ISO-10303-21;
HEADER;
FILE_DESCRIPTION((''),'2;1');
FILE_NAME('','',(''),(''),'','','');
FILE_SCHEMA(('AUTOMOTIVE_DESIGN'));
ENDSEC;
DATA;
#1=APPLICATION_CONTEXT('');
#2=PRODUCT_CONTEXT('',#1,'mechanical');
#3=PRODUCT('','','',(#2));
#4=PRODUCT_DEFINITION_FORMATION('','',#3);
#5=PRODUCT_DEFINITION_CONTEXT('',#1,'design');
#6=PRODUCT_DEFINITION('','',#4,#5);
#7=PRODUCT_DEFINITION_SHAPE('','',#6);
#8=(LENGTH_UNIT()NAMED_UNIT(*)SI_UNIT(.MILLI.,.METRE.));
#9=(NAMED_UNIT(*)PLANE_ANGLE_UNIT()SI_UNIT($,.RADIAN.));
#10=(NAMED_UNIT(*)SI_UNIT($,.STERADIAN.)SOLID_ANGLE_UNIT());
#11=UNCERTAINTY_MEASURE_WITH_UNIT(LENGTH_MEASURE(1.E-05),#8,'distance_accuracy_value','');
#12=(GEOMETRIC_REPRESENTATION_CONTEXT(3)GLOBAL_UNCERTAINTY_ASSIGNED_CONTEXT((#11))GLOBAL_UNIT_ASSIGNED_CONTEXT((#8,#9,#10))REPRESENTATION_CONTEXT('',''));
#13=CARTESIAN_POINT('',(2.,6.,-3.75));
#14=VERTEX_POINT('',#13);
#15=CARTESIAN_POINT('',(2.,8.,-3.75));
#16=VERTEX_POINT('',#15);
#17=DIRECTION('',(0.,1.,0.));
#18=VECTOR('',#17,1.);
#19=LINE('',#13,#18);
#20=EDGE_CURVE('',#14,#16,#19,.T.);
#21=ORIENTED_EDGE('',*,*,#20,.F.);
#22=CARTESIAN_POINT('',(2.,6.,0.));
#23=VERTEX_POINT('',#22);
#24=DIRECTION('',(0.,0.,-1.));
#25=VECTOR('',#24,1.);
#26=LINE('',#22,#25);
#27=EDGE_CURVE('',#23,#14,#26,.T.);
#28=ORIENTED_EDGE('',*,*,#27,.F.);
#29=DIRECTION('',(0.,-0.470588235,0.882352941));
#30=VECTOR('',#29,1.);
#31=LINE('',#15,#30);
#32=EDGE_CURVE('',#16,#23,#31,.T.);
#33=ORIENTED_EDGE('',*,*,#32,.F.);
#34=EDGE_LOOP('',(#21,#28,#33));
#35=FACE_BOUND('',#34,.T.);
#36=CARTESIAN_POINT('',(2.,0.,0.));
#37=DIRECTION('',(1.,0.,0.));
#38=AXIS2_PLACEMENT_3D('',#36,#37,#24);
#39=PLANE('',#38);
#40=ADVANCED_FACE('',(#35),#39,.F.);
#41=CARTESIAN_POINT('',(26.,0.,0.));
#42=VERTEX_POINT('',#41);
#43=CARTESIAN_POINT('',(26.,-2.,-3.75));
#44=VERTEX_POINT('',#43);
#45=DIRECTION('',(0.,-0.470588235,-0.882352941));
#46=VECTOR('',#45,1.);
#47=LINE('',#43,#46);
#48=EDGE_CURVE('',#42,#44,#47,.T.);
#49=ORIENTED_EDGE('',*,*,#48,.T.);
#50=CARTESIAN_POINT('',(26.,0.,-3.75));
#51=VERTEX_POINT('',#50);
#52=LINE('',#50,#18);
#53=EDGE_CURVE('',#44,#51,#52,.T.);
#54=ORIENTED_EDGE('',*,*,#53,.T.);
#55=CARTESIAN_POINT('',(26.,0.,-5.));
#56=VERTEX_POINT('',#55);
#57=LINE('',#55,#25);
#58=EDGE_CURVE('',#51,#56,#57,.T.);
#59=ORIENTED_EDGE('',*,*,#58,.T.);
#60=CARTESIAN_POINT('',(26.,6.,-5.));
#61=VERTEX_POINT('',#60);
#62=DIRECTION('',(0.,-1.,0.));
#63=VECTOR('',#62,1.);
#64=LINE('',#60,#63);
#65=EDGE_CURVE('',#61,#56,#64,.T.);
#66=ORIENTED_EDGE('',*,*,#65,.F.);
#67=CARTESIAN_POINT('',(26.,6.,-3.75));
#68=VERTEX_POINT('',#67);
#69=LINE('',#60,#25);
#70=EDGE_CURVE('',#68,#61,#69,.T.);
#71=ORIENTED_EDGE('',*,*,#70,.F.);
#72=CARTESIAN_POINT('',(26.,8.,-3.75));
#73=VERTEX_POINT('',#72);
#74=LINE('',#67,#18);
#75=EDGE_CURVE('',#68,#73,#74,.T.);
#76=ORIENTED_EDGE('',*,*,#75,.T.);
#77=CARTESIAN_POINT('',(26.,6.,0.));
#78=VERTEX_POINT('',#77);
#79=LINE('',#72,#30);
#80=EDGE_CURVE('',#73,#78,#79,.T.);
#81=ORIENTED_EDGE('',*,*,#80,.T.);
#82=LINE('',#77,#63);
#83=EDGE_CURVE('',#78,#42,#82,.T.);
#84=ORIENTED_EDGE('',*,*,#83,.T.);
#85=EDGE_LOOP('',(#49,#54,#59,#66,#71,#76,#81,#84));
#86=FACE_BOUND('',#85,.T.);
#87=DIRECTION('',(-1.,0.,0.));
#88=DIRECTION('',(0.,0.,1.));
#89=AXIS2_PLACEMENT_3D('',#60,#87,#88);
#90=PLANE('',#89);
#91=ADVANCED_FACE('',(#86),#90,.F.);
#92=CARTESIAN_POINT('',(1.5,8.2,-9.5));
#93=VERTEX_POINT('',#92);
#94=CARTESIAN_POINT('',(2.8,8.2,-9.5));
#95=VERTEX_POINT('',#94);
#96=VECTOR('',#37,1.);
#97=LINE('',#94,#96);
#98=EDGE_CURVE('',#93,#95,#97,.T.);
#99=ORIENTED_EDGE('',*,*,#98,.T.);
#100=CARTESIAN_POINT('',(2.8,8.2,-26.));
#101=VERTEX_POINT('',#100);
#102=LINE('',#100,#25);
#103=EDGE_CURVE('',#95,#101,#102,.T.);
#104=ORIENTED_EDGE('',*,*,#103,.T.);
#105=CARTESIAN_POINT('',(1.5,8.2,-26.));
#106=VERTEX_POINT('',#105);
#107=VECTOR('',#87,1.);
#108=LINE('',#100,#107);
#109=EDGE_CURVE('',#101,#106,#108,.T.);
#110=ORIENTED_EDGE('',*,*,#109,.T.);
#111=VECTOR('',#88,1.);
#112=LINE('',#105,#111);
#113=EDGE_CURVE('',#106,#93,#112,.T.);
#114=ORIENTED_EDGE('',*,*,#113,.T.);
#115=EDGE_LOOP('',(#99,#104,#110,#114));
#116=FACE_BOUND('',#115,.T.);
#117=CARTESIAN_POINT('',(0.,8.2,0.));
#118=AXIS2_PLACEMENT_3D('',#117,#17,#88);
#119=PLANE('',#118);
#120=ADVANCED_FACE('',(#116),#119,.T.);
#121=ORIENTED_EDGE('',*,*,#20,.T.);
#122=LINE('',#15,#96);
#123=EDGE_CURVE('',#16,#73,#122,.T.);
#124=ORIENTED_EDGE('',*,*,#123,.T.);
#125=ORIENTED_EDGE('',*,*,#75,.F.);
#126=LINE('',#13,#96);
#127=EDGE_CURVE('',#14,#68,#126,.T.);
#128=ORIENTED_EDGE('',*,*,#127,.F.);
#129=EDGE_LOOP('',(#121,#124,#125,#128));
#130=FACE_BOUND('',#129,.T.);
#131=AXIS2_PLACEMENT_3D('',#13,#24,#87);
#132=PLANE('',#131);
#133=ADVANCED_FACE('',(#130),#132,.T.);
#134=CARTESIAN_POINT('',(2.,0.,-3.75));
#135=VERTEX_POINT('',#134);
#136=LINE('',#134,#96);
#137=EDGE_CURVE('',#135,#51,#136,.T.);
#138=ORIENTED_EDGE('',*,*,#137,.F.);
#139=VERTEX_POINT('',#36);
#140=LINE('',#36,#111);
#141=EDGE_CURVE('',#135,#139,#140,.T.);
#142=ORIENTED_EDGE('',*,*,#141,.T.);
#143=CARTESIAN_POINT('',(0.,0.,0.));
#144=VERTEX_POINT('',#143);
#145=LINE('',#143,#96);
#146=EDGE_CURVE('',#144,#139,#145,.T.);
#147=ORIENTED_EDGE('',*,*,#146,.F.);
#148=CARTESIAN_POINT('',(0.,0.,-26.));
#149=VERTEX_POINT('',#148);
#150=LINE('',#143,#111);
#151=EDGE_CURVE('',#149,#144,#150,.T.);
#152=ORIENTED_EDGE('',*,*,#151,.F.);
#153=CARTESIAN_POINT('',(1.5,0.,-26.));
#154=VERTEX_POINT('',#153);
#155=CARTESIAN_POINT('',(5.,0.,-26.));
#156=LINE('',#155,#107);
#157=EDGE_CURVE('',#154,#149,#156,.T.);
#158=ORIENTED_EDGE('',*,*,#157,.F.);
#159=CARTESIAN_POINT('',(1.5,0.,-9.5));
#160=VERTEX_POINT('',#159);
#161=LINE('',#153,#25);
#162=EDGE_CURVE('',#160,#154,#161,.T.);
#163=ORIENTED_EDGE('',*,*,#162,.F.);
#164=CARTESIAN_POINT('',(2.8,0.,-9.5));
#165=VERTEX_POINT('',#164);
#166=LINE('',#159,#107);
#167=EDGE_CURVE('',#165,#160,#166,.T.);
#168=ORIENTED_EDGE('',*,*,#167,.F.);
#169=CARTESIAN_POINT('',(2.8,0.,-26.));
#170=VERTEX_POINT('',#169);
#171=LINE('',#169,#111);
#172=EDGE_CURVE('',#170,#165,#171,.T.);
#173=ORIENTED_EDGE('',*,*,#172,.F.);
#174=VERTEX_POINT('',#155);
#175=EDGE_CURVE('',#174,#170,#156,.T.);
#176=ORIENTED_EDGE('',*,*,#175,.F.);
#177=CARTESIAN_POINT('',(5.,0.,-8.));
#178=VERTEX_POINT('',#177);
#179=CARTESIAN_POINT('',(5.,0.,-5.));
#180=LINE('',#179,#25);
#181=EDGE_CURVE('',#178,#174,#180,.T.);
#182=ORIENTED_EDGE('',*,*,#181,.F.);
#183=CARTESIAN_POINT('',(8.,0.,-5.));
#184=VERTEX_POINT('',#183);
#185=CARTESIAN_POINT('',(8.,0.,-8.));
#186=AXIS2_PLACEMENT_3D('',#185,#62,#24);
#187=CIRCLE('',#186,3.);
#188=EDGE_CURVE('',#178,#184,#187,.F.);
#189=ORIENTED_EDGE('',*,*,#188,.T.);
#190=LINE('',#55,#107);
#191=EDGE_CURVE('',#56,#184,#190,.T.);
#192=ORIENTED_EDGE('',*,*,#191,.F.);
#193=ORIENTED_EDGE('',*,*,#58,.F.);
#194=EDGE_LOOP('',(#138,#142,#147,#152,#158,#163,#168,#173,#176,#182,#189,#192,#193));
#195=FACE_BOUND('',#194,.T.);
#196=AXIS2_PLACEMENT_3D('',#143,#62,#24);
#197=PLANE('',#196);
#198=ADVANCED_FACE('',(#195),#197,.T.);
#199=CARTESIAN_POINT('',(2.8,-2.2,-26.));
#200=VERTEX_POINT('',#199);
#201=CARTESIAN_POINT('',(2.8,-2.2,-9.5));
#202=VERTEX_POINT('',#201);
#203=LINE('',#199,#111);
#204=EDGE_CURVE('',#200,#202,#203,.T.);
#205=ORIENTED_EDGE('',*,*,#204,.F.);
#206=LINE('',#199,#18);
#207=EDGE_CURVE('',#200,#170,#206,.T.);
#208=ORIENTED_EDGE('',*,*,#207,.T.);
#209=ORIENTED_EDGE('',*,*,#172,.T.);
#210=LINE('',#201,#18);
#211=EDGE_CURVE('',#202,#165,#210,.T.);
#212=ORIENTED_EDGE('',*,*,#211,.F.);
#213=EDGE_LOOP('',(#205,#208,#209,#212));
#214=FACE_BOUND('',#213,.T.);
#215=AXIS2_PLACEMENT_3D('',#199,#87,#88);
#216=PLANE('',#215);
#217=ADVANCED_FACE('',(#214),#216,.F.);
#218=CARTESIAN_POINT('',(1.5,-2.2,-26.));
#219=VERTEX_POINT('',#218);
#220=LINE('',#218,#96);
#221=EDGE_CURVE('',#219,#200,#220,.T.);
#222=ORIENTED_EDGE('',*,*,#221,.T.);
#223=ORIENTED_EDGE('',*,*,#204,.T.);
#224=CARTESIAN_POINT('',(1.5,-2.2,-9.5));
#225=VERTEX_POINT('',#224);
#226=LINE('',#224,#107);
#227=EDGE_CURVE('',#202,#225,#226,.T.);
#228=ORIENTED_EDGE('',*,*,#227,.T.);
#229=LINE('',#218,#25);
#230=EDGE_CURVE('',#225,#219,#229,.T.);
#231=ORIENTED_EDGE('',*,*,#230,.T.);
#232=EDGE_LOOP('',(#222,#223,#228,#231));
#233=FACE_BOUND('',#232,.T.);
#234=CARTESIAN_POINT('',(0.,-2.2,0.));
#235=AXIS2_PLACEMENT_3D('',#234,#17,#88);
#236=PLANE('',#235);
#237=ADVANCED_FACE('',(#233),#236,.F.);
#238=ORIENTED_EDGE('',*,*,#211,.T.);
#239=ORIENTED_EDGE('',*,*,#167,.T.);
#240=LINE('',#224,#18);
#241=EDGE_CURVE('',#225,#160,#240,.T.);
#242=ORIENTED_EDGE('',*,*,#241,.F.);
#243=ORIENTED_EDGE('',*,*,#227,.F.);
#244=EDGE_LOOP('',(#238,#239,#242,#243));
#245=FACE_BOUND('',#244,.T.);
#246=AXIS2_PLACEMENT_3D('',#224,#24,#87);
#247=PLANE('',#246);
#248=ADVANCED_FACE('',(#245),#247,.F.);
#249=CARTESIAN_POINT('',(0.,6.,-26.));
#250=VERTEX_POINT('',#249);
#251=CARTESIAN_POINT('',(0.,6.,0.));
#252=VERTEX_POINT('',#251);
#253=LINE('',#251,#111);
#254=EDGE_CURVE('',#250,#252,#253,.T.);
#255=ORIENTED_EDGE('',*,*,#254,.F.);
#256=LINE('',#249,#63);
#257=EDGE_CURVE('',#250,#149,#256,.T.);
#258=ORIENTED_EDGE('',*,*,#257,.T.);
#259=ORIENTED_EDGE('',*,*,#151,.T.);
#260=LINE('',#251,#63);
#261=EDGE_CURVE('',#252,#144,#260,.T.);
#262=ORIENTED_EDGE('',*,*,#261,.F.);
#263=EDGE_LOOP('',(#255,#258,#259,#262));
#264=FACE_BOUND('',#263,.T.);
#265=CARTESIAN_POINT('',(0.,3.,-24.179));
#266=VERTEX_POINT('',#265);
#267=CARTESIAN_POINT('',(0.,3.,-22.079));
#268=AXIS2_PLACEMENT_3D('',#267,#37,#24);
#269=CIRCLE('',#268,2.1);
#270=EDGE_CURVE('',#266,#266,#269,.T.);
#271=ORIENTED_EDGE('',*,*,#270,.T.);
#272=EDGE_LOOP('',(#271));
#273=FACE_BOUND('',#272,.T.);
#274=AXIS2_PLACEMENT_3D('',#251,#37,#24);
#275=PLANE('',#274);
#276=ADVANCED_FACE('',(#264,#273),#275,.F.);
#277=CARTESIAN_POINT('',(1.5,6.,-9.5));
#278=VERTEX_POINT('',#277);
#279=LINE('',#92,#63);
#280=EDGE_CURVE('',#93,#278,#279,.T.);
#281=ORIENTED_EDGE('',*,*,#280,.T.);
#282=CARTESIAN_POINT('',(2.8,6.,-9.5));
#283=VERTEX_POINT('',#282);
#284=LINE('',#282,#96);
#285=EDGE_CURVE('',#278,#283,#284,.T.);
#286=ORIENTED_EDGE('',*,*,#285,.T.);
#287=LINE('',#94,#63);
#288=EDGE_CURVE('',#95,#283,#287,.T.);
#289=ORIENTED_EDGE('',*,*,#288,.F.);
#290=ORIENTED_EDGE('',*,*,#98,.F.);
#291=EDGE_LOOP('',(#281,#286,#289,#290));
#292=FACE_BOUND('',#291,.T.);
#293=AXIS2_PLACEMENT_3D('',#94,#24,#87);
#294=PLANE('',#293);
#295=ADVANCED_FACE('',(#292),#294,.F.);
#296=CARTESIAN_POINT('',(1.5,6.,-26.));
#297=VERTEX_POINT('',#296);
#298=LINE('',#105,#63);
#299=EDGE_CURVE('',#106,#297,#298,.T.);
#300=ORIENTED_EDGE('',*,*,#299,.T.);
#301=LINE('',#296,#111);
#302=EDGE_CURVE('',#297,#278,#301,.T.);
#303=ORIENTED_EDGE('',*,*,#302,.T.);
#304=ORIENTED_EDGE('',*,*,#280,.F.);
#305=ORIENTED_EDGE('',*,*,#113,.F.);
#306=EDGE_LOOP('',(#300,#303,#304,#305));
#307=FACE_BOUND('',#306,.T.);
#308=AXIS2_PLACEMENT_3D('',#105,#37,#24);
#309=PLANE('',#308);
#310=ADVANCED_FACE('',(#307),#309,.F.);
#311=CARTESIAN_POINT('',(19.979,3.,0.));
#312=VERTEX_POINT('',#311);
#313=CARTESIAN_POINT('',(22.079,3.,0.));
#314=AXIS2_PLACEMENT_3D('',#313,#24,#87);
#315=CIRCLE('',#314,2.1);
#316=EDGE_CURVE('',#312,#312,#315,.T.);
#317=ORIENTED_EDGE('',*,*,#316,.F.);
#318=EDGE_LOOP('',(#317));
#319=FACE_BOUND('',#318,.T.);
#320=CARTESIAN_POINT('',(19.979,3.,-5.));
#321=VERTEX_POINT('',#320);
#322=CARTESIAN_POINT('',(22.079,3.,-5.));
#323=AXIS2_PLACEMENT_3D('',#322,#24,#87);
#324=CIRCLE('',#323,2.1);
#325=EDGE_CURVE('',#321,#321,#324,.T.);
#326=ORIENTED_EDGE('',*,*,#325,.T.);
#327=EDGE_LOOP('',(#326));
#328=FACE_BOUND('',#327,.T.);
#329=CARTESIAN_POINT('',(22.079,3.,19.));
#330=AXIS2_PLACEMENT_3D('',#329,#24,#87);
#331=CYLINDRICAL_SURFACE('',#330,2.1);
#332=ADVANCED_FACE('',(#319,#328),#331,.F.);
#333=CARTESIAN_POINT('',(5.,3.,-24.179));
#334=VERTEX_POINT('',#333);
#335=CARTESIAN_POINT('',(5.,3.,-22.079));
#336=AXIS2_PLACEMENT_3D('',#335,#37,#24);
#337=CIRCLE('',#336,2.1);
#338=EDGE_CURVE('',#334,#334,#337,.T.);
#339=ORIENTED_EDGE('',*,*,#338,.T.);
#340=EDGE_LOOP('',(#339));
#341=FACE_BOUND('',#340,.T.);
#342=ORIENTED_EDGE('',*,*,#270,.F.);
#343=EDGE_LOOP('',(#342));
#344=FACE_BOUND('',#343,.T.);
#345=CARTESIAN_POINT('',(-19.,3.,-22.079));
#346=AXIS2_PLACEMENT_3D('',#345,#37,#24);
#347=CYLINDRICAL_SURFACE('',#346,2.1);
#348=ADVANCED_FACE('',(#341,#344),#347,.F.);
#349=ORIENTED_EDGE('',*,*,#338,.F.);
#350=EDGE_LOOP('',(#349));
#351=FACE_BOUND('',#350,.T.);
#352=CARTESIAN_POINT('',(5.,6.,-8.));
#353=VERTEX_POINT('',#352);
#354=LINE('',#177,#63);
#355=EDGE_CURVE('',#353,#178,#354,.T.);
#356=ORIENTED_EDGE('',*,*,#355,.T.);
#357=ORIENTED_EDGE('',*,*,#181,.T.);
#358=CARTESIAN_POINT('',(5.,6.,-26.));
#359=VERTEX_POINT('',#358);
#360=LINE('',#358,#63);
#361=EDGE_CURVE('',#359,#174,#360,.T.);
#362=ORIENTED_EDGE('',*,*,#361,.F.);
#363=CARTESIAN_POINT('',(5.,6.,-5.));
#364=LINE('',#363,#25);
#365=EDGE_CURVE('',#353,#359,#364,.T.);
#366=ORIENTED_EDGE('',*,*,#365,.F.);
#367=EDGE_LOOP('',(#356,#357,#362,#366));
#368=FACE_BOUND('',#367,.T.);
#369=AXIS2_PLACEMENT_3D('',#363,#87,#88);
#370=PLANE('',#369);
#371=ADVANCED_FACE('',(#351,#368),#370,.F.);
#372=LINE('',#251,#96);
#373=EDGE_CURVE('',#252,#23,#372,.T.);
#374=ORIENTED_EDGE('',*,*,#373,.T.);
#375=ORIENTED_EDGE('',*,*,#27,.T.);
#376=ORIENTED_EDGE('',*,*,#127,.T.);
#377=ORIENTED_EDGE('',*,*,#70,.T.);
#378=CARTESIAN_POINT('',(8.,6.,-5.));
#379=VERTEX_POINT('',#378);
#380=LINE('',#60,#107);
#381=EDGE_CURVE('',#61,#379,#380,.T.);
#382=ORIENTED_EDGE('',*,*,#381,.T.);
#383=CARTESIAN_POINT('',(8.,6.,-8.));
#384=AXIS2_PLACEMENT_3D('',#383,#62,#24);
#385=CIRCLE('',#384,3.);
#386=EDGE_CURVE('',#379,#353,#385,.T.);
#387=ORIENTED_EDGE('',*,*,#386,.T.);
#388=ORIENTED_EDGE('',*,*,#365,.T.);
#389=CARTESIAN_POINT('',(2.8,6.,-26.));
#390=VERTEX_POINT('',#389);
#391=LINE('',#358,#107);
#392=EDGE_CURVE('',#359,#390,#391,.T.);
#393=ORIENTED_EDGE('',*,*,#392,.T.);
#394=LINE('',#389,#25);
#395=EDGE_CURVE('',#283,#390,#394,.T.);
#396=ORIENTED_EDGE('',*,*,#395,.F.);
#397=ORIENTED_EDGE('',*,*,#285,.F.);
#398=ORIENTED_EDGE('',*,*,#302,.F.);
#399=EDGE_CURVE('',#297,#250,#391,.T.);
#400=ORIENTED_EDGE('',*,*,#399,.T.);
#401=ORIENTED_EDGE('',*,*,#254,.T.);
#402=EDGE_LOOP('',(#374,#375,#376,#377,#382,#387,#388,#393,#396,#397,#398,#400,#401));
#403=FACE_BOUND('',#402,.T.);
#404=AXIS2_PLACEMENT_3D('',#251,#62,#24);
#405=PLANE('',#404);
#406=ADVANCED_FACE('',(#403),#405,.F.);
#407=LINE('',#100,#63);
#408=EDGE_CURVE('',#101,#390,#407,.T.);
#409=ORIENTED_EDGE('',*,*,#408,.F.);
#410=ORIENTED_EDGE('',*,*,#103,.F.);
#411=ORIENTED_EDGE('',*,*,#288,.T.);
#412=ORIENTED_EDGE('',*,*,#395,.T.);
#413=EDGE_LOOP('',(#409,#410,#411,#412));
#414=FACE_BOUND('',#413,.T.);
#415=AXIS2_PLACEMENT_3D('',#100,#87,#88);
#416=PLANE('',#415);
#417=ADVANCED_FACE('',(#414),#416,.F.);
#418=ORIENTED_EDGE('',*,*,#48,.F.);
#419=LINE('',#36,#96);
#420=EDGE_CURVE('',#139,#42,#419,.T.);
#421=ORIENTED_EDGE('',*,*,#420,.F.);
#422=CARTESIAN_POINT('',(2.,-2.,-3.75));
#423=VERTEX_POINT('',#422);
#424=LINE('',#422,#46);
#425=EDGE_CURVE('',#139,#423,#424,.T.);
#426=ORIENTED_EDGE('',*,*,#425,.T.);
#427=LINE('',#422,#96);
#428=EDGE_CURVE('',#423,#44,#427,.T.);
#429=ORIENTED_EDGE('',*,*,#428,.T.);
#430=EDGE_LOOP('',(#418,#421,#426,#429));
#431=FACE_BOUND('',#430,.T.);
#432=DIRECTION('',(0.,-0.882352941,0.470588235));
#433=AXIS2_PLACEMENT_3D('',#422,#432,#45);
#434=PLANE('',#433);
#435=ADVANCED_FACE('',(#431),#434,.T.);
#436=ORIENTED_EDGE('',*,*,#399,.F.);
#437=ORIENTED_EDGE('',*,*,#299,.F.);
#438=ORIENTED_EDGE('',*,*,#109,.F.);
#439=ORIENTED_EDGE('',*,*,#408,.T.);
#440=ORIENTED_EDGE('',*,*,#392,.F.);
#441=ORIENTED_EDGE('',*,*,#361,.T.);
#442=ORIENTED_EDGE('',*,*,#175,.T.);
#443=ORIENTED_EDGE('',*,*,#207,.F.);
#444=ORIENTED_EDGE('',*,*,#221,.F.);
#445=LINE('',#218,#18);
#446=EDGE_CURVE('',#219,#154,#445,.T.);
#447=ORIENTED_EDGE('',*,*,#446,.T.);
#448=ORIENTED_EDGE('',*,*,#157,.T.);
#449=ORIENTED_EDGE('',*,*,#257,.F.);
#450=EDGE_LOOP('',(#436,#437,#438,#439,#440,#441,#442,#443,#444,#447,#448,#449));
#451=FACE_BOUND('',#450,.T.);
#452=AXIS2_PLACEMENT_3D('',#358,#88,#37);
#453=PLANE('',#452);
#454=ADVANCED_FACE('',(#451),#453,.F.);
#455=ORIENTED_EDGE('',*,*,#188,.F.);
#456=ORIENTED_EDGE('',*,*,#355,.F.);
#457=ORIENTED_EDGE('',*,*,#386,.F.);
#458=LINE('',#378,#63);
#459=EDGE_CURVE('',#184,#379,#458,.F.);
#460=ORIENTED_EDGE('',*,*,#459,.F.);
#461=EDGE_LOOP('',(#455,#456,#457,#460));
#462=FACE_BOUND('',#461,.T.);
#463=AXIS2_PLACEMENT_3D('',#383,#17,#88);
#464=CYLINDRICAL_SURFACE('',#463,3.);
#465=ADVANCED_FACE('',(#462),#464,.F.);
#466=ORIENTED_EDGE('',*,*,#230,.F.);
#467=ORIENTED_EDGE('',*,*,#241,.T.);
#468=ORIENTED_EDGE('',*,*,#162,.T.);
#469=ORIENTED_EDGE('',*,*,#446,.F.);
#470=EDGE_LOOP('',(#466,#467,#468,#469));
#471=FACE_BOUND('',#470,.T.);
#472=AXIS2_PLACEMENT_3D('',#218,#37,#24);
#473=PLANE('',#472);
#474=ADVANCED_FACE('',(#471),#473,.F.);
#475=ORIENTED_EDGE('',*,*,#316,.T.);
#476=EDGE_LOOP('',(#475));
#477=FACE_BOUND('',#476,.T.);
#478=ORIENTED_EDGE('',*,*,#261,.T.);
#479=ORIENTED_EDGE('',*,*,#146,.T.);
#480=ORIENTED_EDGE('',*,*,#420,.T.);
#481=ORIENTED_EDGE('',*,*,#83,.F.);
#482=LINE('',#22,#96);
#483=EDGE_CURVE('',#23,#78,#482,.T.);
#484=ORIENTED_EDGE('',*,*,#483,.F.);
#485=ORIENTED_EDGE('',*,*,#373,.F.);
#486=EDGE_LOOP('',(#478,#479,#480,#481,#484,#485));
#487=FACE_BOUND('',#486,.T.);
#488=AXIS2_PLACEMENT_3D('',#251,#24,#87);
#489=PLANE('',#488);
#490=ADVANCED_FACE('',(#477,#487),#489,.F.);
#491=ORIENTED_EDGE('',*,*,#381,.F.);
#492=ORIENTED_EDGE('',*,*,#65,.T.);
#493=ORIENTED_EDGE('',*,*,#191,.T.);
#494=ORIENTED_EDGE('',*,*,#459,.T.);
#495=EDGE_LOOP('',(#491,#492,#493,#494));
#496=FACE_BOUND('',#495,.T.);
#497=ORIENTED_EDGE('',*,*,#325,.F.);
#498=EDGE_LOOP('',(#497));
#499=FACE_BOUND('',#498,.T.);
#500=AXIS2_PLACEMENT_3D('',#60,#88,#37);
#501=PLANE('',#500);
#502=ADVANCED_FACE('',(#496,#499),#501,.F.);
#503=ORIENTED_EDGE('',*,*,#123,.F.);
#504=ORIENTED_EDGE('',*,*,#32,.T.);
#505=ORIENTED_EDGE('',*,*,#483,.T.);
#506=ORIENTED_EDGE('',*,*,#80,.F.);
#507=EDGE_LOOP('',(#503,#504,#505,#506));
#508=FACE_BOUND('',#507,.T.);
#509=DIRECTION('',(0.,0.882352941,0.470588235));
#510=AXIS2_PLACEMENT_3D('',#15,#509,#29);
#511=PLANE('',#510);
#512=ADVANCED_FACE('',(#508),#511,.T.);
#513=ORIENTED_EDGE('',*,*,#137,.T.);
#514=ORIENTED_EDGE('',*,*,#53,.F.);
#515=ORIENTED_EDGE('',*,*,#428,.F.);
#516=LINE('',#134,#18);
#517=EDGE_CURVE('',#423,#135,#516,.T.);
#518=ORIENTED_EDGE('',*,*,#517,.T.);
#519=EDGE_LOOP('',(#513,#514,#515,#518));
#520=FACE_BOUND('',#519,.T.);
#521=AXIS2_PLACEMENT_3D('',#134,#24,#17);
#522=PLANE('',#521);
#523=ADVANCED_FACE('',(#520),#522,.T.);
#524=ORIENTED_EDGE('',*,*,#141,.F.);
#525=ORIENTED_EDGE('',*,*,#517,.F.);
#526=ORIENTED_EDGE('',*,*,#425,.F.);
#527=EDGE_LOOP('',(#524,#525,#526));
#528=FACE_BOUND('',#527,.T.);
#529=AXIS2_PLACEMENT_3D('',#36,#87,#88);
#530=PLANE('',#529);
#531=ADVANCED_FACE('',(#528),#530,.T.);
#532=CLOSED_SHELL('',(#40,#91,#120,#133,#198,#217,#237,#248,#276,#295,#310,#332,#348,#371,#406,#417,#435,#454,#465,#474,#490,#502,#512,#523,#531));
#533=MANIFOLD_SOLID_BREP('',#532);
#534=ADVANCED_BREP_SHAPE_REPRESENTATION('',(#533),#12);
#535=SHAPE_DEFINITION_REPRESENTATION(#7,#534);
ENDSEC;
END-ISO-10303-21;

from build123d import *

# Parameters (mm, degrees)
BOSS_EXTRUDE1_DEPTH = 6
SKETCH3_W           = 1.3
SKETCH3_H           = 16.5
BOSS_EXTRUDE2_DEPTH = 2.2
SKETCH4_W           = 1.3
SKETCH4_H           = 16.5
BOSS_EXTRUDE3_DEPTH = 2.2
BOSS_EXTRUDE4_DEPTH = 24
FILLET1_R           = 3
SKETCH6_R           = 2.1
CUT_EXTRUDE1_DEPTH  = 24
SKETCH7_R           = 2.1
CUT_EXTRUDE2_DEPTH  = 24


with BuildPart() as part:
    # Sketch1 → Boss-Extrude1 (new body)
    with BuildSketch(Plane(origin=(0, 0, 0), x_dir=(1, 0, 0), z_dir=(0, 1, 0))):
        Polygon((0, 0), (0, 26), (5, 26), (5, 5), (26, 5), (26, 0), align=None)
    extrude(amount=BOSS_EXTRUDE1_DEPTH)

    # Sketch3 → Boss-Extrude2 (add)
    with BuildSketch(Plane(origin=(0, 6, 0), x_dir=(1, 0, 0), z_dir=(0, 1, 0))):
        with Locations((2.15, 17.75)):
            Rectangle(SKETCH3_W, SKETCH3_H)
    extrude(amount=BOSS_EXTRUDE2_DEPTH)

    # Sketch4 → Boss-Extrude3 (add)
    with BuildSketch(Plane.XZ):
        with Locations((2.15, -17.75)):
            Rectangle(SKETCH4_W, SKETCH4_H)
    extrude(amount=BOSS_EXTRUDE3_DEPTH)

    # Sketch5 → Boss-Extrude4 (add)
    with BuildSketch(Plane(origin=(26, 0, 0), x_dir=(0, 0, -1), z_dir=(1, 0, 0))):
        Polygon((3.75, 6), (3.75, 8), (0, 6), align=None)
        Polygon((3.75, 0), (3.75, -2), (0, 0), align=None)
    extrude(amount=-BOSS_EXTRUDE4_DEPTH)

    # Fillet1
    fillet1_edges = [part.edges().sort_by_distance(p)[0] for p in [
        (5, 3, -5),
    ]]
    fillet(fillet1_edges, radius=FILLET1_R)

    # Sketch6 → Cut-Extrude1 (cut)
    with BuildSketch(Plane(origin=(0, 0, -5), x_dir=(-1, 0, 0), z_dir=(0, 0, -1))):
        with Locations((-22.079, 3)):
            Circle(SKETCH6_R)
    extrude(amount=-CUT_EXTRUDE1_DEPTH, mode=Mode.SUBTRACT)

    # Sketch7 → Cut-Extrude2 (cut)
    with BuildSketch(Plane(origin=(5, 0, 0), x_dir=(0, 0, -1), z_dir=(1, 0, 0))):
        with Locations((22.079, 3)):
            Circle(SKETCH7_R)
    extrude(amount=-CUT_EXTRUDE2_DEPTH, mode=Mode.SUBTRACT)


solid = part.part
